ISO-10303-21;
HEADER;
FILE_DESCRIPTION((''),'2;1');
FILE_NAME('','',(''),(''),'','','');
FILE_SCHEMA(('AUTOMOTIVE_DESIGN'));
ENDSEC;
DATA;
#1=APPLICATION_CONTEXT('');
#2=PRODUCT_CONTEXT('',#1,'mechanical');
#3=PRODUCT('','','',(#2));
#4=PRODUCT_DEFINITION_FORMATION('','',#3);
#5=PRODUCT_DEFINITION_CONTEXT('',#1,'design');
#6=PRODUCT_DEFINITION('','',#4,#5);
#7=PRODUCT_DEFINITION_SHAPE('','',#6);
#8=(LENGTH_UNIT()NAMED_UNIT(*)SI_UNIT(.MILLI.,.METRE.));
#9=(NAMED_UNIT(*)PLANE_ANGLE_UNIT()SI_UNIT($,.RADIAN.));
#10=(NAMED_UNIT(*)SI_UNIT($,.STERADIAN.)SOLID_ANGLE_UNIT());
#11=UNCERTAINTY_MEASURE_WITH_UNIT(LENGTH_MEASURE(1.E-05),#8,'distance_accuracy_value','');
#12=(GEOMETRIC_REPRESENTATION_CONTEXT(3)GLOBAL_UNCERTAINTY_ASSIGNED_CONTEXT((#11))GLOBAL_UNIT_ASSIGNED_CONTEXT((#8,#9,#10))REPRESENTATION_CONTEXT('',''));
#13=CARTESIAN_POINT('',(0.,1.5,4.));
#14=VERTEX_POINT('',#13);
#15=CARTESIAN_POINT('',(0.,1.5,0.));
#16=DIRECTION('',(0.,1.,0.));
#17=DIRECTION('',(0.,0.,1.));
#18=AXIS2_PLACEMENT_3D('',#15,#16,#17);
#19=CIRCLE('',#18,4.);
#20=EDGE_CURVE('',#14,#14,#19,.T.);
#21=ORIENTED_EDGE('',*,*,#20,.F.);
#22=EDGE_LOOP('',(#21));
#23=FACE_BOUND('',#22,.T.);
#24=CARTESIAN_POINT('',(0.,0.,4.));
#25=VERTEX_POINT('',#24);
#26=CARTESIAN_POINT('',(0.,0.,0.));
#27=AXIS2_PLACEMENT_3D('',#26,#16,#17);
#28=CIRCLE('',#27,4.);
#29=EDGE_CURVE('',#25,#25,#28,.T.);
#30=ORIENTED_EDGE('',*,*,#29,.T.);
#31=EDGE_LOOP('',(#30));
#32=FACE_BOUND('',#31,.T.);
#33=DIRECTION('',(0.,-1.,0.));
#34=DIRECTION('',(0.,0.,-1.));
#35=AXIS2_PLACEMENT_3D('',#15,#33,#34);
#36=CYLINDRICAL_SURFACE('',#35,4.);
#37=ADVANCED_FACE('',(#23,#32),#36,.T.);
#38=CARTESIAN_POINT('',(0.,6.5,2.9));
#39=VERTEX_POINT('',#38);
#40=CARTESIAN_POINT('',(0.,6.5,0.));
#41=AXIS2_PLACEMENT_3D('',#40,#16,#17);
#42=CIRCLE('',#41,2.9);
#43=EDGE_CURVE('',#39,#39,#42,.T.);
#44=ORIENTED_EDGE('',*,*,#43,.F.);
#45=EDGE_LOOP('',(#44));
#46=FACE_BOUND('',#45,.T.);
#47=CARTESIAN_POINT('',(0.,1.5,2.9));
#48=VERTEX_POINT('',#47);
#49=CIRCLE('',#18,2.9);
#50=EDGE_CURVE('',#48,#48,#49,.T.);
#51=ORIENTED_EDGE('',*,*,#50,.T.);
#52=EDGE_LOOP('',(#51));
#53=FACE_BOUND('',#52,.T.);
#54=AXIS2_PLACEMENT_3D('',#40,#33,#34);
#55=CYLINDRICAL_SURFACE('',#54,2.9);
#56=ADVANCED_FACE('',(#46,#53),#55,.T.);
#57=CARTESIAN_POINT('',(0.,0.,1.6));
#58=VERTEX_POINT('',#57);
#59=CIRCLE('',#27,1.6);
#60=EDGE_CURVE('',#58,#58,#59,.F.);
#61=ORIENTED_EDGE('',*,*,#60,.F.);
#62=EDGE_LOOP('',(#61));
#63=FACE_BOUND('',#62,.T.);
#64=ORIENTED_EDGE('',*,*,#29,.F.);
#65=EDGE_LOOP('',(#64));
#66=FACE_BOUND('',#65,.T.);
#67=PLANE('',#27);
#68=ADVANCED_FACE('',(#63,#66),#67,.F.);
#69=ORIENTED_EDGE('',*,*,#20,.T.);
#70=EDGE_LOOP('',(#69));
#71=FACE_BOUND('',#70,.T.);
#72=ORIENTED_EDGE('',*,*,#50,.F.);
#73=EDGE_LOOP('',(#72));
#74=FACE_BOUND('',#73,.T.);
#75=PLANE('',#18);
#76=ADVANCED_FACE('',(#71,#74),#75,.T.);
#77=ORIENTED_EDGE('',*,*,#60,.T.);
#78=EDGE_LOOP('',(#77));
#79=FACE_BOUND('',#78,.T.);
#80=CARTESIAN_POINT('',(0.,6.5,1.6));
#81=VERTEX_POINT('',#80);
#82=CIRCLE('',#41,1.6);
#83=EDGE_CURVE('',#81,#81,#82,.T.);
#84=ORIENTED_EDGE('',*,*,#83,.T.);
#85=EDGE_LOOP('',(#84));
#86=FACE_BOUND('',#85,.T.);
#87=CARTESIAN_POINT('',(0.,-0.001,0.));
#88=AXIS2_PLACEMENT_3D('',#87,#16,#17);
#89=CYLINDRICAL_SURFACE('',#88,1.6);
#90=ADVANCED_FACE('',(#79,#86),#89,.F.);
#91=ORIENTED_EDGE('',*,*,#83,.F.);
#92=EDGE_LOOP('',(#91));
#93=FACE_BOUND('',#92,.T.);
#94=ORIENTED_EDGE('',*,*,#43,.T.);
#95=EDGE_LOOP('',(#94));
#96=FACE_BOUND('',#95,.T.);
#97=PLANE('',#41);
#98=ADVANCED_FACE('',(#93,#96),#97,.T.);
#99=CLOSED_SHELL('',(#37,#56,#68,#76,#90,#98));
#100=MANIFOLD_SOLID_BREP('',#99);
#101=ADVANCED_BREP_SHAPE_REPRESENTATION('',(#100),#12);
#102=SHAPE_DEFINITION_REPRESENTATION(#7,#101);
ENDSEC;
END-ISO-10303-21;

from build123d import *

# Parameters (mm, degrees)
SKETCH_1_R          = 4
EXTRUDE_1_DEPTH     = 1.5
SKETCH_2_R          = 2.9
EXTRUDE_2_DEPTH     = 5
CUT_EXTRUDE_1_REACH = 10.617
SKETCH_3_R          = 1.6


with BuildPart() as part:
    # 草图1 → 凸台-拉伸1 (new body)
    with BuildSketch(Plane(origin=(0, 0, 0), x_dir=(1, 0, 0), z_dir=(0, 1, 0))):
        with Locations(Location((0, 0, 0), (0, 0, 270))):
            Circle(SKETCH_1_R)
    extrude(amount=EXTRUDE_1_DEPTH)

    # 草图2 → 凸台-拉伸2 (add)
    with BuildSketch(Plane(origin=(0, 1.5, 0), x_dir=(1, 0, 0), z_dir=(0, 1, 0))):
        with Locations(Location((0, 0, 0), (0, 0, 270))):
            Circle(SKETCH_2_R)
    extrude(amount=EXTRUDE_2_DEPTH)

    # 草图3 → 切除-拉伸1 (cut, up to next)
    with BuildSketch(Plane(origin=(0, 6.5, 0), x_dir=(1, 0, 0), z_dir=(0, 1, 0)), mode=Mode.PRIVATE) as cut_extrude_1_sk1:
        with Locations(Location((0, 0, 0), (0, 0, 270))):
            Circle(SKETCH_3_R)
    cut_extrude_1_tool1 = extrude(cut_extrude_1_sk1.sketch, amount=-CUT_EXTRUDE_1_REACH, mode=Mode.PRIVATE) & part.part
    add(cut_extrude_1_tool1.solids().sort_by_distance((0, 6.5, 0))[0], mode=Mode.SUBTRACT)


solid = part.part
